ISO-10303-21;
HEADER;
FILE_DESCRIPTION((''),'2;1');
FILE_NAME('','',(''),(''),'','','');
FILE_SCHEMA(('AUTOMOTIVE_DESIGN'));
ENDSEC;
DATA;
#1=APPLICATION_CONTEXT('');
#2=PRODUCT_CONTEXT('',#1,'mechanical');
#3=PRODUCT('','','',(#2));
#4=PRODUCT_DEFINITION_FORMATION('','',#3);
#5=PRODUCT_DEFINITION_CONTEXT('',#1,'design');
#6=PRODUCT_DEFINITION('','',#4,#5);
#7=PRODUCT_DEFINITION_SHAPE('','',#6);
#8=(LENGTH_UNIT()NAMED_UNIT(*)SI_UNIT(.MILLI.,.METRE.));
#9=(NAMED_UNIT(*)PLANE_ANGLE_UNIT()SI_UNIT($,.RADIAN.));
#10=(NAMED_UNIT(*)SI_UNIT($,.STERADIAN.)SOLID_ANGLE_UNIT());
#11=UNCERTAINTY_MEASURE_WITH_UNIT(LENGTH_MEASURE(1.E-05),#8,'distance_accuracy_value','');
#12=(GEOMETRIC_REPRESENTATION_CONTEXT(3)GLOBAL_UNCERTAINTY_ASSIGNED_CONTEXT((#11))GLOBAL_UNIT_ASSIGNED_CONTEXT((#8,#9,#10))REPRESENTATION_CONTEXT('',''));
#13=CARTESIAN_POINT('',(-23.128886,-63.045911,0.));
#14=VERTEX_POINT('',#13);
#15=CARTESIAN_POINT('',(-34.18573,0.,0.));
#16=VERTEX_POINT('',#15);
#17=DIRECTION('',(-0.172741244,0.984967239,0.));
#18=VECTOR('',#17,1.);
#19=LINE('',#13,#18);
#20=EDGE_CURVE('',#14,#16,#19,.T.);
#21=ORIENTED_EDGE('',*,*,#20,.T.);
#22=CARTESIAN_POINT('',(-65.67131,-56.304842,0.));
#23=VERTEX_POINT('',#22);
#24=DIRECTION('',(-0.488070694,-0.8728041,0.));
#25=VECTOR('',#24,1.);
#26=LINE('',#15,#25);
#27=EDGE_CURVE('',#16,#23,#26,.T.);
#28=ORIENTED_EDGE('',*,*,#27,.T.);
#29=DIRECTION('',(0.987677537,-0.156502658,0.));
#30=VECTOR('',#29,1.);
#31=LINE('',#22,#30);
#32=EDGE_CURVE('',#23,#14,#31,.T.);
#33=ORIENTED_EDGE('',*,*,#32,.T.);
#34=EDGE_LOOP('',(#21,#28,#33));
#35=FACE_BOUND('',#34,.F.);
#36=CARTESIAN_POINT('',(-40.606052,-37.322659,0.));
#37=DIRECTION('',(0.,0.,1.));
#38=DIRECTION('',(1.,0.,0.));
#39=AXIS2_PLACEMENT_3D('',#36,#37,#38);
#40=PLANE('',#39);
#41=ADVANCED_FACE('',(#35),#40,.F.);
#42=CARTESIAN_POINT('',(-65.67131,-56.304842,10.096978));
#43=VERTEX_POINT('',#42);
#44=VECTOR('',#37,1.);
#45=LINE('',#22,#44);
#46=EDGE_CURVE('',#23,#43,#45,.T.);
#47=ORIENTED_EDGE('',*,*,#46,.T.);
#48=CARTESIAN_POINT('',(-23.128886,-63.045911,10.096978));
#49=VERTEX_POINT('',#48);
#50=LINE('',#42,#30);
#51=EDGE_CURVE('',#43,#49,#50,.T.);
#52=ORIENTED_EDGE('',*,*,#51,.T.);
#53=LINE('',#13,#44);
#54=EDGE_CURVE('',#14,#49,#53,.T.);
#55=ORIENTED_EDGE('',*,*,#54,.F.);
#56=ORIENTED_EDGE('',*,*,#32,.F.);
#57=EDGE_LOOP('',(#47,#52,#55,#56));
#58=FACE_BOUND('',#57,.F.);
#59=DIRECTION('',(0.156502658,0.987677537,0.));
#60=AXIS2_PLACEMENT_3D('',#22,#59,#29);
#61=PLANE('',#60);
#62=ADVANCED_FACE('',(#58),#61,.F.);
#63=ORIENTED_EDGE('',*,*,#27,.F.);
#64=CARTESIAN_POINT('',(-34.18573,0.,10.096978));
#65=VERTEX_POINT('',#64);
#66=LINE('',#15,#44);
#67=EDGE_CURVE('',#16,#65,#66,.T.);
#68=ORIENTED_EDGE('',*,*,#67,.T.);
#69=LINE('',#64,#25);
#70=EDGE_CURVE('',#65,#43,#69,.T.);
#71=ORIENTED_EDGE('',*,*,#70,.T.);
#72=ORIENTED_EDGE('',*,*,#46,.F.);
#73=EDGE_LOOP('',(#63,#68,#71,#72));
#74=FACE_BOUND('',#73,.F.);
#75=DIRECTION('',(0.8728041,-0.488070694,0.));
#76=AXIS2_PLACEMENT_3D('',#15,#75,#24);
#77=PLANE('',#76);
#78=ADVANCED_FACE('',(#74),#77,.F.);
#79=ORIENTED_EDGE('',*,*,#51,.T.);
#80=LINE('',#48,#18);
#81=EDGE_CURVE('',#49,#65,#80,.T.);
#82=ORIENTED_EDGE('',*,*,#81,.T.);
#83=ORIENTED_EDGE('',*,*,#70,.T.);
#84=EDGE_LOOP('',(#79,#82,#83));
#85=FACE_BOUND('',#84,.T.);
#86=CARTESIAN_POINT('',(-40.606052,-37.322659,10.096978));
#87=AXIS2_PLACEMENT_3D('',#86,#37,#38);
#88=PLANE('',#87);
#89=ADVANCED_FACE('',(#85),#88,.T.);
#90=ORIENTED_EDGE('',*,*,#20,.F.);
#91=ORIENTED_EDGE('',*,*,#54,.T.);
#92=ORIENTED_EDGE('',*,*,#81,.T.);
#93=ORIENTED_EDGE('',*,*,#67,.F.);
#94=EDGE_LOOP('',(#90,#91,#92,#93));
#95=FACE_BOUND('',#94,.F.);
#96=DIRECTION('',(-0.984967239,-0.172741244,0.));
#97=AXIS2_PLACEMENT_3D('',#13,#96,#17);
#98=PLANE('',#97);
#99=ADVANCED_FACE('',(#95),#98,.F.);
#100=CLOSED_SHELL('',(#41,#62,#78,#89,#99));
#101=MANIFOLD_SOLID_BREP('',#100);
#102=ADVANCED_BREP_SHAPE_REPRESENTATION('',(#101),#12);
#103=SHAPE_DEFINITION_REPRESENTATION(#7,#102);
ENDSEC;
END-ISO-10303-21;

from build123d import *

# Parameters (mm, degrees)
F2_DEPTH = 10.096978


with BuildPart() as f2:
    # F1 (on face) → F2 (new body)
    with BuildSketch(Plane.XY):
        Polygon((-23.128886, -63.045911), (-34.18573, 0), (-65.67131, -56.304842), align=None)
    extrude(amount=F2_DEPTH)


solid = f2.part
